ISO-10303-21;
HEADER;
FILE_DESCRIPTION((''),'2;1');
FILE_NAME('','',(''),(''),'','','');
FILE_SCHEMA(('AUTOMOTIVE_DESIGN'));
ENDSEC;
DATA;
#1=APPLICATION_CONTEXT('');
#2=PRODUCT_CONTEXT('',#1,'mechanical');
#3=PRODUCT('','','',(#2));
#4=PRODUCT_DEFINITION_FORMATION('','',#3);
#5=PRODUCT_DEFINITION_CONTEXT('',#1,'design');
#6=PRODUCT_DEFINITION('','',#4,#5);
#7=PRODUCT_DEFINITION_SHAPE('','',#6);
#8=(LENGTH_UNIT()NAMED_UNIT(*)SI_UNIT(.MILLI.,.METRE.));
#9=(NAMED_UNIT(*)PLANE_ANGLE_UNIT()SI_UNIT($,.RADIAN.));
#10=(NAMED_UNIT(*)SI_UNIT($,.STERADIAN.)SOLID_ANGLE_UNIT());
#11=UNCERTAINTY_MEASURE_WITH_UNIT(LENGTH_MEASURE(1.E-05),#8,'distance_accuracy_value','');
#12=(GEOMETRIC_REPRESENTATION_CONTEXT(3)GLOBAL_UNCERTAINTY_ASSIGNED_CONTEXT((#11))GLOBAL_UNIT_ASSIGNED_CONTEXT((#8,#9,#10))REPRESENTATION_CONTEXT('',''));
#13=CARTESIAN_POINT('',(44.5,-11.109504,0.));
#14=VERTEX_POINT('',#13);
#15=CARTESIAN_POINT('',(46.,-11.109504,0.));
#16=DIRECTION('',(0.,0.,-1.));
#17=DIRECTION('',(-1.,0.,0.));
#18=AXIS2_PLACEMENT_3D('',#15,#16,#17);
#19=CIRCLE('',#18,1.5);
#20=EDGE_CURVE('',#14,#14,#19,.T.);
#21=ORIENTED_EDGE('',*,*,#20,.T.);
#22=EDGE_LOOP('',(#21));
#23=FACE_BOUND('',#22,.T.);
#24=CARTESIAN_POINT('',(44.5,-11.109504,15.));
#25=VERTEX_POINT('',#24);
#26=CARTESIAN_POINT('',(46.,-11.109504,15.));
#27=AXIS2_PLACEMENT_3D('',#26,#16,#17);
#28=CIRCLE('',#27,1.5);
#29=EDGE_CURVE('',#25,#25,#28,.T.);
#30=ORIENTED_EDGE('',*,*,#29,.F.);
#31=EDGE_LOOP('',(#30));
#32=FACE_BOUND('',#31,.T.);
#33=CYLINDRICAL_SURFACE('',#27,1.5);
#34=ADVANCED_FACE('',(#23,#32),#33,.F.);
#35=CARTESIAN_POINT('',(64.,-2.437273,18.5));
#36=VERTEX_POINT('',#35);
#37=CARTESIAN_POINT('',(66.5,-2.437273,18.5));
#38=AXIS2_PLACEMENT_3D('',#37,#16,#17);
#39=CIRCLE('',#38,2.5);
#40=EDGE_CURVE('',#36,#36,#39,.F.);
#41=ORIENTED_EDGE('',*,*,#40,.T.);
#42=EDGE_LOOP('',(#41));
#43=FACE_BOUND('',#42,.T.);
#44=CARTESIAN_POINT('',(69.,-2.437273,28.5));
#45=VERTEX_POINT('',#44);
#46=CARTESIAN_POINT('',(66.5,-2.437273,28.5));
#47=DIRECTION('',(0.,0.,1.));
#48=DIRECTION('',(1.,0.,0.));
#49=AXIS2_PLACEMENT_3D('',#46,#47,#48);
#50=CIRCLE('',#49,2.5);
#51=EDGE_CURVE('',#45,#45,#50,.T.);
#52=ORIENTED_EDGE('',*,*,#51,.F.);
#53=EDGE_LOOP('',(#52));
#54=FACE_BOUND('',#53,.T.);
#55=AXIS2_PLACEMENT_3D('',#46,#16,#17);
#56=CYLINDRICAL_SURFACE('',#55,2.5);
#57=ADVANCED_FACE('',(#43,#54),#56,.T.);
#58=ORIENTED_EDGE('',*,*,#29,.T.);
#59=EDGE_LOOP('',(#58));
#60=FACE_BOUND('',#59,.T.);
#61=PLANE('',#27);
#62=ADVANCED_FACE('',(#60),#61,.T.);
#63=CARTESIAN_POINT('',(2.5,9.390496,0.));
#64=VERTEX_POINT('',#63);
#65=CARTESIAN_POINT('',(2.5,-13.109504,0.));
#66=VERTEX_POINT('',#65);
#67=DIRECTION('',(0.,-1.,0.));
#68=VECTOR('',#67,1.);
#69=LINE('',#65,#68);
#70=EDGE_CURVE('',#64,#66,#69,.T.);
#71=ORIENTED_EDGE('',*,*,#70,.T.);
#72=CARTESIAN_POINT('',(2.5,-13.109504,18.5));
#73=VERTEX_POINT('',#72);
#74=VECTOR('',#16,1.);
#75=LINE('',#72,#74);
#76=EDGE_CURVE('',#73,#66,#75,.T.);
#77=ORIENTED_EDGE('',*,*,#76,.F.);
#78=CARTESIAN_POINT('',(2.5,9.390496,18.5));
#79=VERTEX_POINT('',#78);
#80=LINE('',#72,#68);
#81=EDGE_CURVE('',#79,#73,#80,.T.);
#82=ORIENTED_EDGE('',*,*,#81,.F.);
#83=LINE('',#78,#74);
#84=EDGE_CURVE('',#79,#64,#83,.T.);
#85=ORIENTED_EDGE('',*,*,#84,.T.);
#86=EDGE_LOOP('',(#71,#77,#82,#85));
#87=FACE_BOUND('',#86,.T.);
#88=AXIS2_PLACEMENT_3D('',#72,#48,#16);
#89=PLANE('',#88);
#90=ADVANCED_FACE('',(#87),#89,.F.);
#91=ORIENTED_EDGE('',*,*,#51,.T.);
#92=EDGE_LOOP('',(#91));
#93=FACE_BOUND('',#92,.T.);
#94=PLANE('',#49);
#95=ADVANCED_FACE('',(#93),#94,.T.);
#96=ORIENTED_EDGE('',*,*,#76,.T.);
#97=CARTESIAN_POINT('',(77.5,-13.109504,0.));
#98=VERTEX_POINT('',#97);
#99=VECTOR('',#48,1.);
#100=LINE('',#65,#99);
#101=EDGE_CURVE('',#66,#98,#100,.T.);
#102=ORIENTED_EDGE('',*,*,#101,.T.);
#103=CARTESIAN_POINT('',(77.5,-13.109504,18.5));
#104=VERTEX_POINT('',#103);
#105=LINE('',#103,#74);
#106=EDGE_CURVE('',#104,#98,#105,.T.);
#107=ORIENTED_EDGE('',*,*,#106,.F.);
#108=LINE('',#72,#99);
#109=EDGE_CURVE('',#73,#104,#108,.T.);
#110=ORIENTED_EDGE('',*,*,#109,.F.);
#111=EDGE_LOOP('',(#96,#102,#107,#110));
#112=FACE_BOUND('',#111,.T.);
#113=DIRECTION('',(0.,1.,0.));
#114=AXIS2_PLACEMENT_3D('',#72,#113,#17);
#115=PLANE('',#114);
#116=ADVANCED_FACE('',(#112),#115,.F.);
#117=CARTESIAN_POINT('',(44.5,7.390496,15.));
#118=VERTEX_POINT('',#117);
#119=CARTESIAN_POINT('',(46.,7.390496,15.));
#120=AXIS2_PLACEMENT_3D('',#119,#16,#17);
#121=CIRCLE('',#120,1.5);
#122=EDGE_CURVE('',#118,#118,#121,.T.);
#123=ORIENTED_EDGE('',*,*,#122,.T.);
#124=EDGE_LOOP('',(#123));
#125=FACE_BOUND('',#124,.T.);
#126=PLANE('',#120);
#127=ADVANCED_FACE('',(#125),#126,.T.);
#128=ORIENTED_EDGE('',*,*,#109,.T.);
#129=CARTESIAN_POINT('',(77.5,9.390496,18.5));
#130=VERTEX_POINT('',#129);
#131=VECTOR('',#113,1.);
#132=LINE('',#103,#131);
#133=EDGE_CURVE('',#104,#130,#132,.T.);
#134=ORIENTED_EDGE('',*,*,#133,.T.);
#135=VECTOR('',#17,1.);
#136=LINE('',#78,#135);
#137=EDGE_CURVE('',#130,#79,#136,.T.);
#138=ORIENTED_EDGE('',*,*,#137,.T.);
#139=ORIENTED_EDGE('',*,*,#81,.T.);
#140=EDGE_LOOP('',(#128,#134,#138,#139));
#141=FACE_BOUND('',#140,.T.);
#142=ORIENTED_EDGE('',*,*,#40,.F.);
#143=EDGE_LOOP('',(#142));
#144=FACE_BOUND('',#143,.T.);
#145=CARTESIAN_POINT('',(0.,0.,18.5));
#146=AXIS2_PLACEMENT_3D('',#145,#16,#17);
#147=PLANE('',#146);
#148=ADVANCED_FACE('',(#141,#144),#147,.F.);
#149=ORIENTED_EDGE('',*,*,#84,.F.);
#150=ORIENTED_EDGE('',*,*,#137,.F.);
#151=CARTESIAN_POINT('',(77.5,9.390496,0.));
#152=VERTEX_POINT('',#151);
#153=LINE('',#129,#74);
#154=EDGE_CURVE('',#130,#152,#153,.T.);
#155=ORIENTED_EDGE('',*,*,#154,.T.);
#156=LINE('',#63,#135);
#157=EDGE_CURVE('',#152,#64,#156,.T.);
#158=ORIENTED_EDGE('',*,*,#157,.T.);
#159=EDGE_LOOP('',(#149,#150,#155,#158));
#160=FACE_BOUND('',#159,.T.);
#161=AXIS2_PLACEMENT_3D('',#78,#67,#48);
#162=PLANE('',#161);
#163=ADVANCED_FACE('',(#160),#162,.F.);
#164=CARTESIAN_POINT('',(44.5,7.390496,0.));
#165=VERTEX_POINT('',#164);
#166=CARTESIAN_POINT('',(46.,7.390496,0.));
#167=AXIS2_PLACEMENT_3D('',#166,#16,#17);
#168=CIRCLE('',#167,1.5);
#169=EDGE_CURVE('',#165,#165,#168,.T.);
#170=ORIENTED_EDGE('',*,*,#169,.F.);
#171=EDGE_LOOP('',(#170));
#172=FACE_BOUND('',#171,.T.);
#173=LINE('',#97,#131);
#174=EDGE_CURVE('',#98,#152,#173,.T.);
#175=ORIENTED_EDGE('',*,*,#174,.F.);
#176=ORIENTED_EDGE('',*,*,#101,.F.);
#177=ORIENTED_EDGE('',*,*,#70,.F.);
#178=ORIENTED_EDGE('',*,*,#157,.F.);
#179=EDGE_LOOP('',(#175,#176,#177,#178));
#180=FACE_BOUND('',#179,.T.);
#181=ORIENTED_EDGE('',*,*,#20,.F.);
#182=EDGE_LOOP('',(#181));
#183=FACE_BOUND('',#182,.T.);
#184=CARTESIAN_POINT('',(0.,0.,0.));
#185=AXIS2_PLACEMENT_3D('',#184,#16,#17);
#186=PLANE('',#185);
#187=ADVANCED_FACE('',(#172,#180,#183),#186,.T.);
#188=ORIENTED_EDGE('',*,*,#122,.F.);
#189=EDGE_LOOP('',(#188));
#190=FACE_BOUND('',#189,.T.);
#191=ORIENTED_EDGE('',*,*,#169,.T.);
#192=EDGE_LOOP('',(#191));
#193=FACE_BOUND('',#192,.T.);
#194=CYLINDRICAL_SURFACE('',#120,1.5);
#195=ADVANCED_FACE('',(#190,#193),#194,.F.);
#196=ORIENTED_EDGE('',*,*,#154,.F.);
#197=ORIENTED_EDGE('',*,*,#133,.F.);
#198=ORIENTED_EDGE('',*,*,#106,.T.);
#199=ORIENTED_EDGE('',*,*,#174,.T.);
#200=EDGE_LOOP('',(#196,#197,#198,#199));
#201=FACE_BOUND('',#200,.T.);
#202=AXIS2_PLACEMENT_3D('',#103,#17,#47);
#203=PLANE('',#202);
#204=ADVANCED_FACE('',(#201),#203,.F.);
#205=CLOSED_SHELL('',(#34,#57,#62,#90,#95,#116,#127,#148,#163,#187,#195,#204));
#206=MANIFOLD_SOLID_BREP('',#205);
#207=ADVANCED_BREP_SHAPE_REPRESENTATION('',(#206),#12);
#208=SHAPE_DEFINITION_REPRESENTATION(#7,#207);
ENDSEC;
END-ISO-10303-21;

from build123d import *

# Parameters (mm, degrees)
SKETCH1_W           = 75
SKETCH1_H           = 22.5
BOSS_EXTRUDE1_DEPTH = 18.5
SKETCH2_R           = 2.5
BOSS_EXTRUDE2_DEPTH = 10
SKETCH3_R           = 1.5
CUT_EXTRUDE1_DEPTH  = 15


with BuildPart() as part:
    # Sketch1 → Boss-Extrude1 (new body)
    with BuildSketch(Plane.XY):
        with Locations((40, -1.859504132)):
            Rectangle(SKETCH1_W, SKETCH1_H)
    extrude(amount=BOSS_EXTRUDE1_DEPTH)

    # Sketch2 → Boss-Extrude2 (add)
    with BuildSketch(Plane.XY.offset(18.5)):
        with Locations(Location((66.5, -2.437272613, 0), (0, 0, 180))):
            Circle(SKETCH2_R)
    extrude(amount=BOSS_EXTRUDE2_DEPTH)

    # Sketch3 → Cut-Extrude1 (cut)
    with BuildSketch(Plane(origin=(0, 0, 0), x_dir=(-1, 0, 0), z_dir=(0, 0, -1))):
        with Locations((-46, 7.390495868)):
            Circle(SKETCH3_R)
        with Locations((-46, -11.109504132)):
            Circle(SKETCH3_R)
    extrude(amount=-CUT_EXTRUDE1_DEPTH, mode=Mode.SUBTRACT)


solid = part.part
